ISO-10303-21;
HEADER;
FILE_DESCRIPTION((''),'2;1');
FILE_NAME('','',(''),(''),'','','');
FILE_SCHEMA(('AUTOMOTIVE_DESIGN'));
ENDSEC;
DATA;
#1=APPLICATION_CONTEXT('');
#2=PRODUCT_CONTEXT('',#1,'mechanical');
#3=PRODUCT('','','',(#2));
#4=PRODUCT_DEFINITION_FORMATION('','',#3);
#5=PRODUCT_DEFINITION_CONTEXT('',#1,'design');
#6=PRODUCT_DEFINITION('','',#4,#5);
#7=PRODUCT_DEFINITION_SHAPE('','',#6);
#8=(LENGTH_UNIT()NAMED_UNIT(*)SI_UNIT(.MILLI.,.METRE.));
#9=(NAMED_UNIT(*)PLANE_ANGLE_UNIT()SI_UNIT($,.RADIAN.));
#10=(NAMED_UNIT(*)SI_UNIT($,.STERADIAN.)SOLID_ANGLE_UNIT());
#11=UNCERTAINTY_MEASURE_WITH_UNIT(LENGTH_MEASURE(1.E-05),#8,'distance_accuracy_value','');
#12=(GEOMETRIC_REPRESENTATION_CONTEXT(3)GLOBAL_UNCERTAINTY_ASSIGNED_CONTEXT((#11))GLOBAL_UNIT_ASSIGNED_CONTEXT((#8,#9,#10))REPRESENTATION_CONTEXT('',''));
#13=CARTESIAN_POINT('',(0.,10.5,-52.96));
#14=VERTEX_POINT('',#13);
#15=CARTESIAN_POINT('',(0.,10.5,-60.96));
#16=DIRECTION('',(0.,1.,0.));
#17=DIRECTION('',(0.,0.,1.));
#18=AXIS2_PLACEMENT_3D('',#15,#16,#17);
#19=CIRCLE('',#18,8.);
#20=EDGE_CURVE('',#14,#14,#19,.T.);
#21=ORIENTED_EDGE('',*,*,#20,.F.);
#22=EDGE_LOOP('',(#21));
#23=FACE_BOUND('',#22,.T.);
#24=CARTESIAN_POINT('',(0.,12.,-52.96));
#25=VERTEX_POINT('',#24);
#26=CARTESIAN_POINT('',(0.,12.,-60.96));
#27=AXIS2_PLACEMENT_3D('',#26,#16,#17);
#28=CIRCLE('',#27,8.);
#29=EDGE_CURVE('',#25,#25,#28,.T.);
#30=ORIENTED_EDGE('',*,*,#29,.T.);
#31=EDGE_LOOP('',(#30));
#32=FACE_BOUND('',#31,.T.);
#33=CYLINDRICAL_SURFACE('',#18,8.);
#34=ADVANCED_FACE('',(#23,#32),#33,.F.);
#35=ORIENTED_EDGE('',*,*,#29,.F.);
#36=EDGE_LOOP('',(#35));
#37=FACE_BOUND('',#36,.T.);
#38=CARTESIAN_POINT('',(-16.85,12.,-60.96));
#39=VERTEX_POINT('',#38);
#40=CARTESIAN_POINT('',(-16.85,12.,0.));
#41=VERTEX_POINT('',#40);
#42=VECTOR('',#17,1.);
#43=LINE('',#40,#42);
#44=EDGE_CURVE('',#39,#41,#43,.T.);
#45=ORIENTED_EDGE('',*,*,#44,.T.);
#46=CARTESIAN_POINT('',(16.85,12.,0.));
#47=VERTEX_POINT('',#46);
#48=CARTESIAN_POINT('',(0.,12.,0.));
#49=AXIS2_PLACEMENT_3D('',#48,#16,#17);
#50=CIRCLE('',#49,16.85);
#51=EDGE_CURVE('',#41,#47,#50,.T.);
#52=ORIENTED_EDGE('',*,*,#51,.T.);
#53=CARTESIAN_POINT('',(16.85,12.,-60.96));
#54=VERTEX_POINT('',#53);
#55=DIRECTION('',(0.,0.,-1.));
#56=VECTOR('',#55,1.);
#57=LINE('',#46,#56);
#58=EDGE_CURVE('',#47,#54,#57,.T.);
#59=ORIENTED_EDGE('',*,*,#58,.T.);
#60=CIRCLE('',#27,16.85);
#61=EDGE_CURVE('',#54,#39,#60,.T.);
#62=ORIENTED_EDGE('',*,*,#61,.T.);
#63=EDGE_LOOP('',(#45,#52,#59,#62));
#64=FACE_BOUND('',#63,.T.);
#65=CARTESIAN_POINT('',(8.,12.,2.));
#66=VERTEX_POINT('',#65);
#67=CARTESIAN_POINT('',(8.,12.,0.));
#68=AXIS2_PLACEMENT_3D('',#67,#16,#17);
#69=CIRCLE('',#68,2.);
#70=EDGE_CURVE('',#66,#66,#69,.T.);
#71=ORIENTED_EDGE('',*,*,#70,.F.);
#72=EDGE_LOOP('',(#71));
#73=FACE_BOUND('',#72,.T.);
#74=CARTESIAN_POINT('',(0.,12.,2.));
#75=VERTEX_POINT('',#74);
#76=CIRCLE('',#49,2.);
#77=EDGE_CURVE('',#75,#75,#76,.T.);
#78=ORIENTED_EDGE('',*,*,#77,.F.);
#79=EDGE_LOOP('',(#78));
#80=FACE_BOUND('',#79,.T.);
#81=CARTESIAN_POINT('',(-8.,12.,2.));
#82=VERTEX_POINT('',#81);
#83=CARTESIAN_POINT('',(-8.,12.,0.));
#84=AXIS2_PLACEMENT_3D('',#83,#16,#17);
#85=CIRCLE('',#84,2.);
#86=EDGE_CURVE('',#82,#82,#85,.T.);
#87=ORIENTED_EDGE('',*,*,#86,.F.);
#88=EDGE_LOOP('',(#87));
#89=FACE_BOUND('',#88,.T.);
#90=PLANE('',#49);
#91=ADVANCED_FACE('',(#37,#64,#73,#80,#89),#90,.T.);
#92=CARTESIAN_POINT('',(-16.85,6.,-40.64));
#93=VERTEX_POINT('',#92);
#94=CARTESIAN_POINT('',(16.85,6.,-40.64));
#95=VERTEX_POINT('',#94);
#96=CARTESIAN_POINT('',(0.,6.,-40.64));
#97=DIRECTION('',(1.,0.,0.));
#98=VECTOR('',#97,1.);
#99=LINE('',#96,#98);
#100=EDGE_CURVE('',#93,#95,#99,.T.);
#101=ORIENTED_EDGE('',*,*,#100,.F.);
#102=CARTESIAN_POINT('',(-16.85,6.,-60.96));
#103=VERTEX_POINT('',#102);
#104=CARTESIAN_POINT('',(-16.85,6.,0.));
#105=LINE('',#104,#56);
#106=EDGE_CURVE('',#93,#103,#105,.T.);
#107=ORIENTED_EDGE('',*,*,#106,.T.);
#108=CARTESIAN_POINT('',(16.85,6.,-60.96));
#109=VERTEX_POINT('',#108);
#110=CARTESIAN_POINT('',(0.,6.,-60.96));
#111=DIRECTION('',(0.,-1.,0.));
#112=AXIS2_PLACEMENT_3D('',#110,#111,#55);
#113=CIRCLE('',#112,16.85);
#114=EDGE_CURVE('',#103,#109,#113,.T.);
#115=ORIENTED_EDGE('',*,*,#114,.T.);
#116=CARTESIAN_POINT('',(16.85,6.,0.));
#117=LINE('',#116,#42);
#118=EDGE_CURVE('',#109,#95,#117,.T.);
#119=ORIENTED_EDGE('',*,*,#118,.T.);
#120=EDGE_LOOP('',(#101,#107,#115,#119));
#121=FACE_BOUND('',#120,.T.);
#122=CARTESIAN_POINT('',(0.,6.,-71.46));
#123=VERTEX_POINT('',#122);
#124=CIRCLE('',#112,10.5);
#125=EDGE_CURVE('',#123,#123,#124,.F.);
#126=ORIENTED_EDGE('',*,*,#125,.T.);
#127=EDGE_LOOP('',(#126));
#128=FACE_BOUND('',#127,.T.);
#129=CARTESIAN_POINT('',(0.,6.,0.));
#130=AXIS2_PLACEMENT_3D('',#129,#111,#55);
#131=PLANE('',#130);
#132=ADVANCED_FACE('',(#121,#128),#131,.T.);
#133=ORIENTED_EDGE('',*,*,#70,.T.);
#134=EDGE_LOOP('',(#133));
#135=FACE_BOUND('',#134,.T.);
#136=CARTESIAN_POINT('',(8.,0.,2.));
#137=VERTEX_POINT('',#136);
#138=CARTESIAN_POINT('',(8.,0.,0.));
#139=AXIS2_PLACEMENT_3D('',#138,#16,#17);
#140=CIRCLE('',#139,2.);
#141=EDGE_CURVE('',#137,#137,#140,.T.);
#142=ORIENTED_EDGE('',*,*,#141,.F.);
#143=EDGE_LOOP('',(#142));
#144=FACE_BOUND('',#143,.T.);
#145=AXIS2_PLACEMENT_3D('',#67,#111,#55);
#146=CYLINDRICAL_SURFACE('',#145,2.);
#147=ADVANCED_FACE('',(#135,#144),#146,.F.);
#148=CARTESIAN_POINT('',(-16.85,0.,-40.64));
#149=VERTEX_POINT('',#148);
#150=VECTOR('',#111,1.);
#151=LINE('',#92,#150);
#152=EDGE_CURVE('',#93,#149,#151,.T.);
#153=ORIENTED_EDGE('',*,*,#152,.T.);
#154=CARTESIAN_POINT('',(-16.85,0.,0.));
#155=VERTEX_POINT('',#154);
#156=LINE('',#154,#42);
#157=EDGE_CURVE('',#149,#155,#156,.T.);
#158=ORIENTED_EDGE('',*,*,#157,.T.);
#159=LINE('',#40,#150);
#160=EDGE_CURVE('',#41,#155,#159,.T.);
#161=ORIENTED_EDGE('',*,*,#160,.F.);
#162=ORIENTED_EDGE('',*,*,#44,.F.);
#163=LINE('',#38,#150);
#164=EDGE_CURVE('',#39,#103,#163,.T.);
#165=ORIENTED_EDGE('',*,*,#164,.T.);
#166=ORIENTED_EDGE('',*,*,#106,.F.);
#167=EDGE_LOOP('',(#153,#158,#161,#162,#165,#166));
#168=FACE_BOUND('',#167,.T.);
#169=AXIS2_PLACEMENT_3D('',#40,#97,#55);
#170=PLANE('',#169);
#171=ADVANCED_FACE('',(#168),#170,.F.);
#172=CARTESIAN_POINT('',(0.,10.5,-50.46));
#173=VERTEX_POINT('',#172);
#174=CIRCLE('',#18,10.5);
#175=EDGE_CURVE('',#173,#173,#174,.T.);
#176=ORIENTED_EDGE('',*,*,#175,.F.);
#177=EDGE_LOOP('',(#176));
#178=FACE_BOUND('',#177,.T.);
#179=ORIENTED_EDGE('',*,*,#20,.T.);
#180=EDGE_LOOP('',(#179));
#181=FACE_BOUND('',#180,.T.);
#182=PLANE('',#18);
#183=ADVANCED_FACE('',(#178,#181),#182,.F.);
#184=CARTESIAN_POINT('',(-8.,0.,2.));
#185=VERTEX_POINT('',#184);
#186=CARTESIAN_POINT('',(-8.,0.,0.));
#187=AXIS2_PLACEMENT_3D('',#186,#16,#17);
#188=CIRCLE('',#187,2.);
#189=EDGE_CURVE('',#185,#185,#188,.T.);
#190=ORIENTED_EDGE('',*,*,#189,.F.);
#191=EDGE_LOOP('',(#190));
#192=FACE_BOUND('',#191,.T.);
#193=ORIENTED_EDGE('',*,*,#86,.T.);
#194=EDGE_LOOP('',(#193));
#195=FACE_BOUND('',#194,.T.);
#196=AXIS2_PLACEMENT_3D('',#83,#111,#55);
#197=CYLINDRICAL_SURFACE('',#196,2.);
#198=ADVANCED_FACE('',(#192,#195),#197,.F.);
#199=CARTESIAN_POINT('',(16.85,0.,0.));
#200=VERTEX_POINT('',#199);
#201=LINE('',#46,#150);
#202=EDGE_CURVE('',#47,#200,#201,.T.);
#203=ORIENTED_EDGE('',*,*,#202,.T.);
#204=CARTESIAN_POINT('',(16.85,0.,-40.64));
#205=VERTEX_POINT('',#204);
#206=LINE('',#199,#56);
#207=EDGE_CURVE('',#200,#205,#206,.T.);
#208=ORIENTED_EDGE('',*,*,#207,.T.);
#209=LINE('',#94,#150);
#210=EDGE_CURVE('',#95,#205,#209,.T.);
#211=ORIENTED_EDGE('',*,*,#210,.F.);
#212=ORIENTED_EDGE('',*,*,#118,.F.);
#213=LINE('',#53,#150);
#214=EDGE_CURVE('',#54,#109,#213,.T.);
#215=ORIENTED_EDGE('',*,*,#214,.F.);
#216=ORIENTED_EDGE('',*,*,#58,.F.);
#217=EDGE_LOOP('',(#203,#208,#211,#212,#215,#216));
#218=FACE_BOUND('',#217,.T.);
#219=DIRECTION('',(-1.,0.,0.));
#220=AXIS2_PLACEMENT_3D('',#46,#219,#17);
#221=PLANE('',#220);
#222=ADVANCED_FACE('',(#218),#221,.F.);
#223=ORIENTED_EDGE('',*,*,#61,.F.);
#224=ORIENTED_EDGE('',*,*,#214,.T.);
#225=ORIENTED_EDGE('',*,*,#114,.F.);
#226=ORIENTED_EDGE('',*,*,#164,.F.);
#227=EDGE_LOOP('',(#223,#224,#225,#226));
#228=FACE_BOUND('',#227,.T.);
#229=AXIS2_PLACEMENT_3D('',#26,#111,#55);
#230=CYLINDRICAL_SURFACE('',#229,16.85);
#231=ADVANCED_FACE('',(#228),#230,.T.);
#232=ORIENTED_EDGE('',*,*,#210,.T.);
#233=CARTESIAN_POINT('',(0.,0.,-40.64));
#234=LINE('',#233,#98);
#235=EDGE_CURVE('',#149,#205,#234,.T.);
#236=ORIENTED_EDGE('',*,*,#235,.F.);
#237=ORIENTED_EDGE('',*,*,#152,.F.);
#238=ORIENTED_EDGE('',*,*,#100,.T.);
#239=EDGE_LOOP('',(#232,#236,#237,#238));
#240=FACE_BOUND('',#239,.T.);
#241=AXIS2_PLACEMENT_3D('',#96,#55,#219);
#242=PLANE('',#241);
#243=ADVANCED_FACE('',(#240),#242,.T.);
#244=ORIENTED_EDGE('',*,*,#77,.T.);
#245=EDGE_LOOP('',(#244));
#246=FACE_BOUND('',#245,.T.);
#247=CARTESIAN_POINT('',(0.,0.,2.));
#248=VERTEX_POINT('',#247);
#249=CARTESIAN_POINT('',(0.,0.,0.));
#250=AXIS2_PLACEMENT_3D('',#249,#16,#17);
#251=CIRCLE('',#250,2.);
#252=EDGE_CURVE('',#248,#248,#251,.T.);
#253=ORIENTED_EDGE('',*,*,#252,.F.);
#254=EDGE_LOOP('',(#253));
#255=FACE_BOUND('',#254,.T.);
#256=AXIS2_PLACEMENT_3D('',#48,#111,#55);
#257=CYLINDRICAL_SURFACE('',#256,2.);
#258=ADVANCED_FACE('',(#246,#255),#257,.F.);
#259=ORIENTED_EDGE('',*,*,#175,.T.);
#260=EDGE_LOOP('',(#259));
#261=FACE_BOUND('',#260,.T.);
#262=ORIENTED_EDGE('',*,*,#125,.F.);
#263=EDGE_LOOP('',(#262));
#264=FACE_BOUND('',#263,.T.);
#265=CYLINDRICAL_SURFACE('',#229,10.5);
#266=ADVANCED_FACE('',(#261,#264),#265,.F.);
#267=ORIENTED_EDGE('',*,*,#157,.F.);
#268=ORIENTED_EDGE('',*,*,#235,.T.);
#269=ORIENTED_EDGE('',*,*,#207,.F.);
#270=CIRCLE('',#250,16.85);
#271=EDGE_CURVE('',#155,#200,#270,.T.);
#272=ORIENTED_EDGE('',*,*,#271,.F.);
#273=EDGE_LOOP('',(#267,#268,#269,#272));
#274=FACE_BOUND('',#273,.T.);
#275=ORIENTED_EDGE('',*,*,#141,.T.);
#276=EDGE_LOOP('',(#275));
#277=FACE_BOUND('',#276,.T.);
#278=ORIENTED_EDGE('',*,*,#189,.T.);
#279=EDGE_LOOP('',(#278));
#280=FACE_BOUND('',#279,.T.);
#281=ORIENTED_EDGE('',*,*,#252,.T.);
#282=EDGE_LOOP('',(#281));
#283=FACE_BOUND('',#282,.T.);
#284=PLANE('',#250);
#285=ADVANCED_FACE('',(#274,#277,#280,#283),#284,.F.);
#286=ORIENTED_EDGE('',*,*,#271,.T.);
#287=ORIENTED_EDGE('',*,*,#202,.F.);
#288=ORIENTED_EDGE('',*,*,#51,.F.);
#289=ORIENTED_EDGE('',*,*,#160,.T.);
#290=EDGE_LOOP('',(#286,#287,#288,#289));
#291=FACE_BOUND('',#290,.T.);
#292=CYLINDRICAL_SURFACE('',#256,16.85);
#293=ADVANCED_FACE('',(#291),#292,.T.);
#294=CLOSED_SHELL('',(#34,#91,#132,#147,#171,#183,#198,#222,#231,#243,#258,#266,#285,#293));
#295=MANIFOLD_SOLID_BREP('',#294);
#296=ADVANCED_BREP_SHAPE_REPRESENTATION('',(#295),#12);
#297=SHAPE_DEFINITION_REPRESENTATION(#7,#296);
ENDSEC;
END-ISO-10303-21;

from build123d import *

# Parameters (mm, degrees)
SKETCH1_R           = 10.499999955
SKETCH1_R_2         = 2
BOSS_EXTRUDE1_DEPTH = 12
SKETCH2_R           = 10.499999955
CUT_EXTRUDE1_DEPTH  = 6
BOSS_EXTRUDE2_START = -1.5
SKETCH3_R           = 10.499999955
SKETCH3_R_2         = 8
BOSS_EXTRUDE2_DEPTH = 1.5


with BuildPart() as part:
    # Sketch1 → Boss-Extrude1 (new body)
    with BuildSketch(Plane(origin=(0, 0, 0), x_dir=(1, 0, 0), z_dir=(0, 1, 0))):
        with BuildLine():
            Line((-16.85, 0), (-16.85, 60.96))
            ThreePointArc((-16.85, 60.96), (0, 77.81), (16.85, 60.96))
            Line((16.85, 60.96), (16.85, 0))
            ThreePointArc((16.85, 0), (0, -16.85), (-16.85, 0))
        make_face()
        with Locations(Location((0, 60.96, 0), (0, 0, 270))):
            Circle(SKETCH1_R, mode=Mode.SUBTRACT)
        with Locations(Location((-8, 0, 0), (0, 0, 270))):
            Circle(SKETCH1_R_2, mode=Mode.SUBTRACT)
        with Locations(Location((8, 0, 0), (0, 0, 270))):
            Circle(SKETCH1_R_2, mode=Mode.SUBTRACT)
        with Locations(Location((0, 0, 0), (0, 0, 270))):
            Circle(SKETCH1_R_2, mode=Mode.SUBTRACT)
    extrude(amount=BOSS_EXTRUDE1_DEPTH)

    # Sketch2 → Cut-Extrude1 (cut)
    with BuildSketch(Plane.XZ):
        with BuildLine():
            Line((-16.85, -40.64), (-16.85, -60.96))
            ThreePointArc((-16.85, -60.96), (0, -77.81), (16.85, -60.96))
            Line((16.85, -60.96), (16.85, -40.64))
            Line((16.85, -40.64), (-16.85, -40.64))
        make_face()
        with Locations(Location((0, -60.96, 0), (0, 0, 270))):
            Circle(SKETCH2_R, mode=Mode.SUBTRACT)
    extrude(amount=-CUT_EXTRUDE1_DEPTH, mode=Mode.SUBTRACT)

    # Sketch3 → Boss-Extrude2 (add)
    with BuildSketch(Plane(origin=(0, 12, 0), x_dir=(1, 0, 0), z_dir=(0, 1, 0)).offset(BOSS_EXTRUDE2_START)):
        with Locations(Location((0, 60.96, 0), (0, 0, 90))):
            Circle(SKETCH3_R)
        with Locations(Location((0, 60.96, 0), (0, 0, 270))):
            Circle(SKETCH3_R_2, mode=Mode.SUBTRACT)
    extrude(amount=BOSS_EXTRUDE2_DEPTH)


solid = part.part
